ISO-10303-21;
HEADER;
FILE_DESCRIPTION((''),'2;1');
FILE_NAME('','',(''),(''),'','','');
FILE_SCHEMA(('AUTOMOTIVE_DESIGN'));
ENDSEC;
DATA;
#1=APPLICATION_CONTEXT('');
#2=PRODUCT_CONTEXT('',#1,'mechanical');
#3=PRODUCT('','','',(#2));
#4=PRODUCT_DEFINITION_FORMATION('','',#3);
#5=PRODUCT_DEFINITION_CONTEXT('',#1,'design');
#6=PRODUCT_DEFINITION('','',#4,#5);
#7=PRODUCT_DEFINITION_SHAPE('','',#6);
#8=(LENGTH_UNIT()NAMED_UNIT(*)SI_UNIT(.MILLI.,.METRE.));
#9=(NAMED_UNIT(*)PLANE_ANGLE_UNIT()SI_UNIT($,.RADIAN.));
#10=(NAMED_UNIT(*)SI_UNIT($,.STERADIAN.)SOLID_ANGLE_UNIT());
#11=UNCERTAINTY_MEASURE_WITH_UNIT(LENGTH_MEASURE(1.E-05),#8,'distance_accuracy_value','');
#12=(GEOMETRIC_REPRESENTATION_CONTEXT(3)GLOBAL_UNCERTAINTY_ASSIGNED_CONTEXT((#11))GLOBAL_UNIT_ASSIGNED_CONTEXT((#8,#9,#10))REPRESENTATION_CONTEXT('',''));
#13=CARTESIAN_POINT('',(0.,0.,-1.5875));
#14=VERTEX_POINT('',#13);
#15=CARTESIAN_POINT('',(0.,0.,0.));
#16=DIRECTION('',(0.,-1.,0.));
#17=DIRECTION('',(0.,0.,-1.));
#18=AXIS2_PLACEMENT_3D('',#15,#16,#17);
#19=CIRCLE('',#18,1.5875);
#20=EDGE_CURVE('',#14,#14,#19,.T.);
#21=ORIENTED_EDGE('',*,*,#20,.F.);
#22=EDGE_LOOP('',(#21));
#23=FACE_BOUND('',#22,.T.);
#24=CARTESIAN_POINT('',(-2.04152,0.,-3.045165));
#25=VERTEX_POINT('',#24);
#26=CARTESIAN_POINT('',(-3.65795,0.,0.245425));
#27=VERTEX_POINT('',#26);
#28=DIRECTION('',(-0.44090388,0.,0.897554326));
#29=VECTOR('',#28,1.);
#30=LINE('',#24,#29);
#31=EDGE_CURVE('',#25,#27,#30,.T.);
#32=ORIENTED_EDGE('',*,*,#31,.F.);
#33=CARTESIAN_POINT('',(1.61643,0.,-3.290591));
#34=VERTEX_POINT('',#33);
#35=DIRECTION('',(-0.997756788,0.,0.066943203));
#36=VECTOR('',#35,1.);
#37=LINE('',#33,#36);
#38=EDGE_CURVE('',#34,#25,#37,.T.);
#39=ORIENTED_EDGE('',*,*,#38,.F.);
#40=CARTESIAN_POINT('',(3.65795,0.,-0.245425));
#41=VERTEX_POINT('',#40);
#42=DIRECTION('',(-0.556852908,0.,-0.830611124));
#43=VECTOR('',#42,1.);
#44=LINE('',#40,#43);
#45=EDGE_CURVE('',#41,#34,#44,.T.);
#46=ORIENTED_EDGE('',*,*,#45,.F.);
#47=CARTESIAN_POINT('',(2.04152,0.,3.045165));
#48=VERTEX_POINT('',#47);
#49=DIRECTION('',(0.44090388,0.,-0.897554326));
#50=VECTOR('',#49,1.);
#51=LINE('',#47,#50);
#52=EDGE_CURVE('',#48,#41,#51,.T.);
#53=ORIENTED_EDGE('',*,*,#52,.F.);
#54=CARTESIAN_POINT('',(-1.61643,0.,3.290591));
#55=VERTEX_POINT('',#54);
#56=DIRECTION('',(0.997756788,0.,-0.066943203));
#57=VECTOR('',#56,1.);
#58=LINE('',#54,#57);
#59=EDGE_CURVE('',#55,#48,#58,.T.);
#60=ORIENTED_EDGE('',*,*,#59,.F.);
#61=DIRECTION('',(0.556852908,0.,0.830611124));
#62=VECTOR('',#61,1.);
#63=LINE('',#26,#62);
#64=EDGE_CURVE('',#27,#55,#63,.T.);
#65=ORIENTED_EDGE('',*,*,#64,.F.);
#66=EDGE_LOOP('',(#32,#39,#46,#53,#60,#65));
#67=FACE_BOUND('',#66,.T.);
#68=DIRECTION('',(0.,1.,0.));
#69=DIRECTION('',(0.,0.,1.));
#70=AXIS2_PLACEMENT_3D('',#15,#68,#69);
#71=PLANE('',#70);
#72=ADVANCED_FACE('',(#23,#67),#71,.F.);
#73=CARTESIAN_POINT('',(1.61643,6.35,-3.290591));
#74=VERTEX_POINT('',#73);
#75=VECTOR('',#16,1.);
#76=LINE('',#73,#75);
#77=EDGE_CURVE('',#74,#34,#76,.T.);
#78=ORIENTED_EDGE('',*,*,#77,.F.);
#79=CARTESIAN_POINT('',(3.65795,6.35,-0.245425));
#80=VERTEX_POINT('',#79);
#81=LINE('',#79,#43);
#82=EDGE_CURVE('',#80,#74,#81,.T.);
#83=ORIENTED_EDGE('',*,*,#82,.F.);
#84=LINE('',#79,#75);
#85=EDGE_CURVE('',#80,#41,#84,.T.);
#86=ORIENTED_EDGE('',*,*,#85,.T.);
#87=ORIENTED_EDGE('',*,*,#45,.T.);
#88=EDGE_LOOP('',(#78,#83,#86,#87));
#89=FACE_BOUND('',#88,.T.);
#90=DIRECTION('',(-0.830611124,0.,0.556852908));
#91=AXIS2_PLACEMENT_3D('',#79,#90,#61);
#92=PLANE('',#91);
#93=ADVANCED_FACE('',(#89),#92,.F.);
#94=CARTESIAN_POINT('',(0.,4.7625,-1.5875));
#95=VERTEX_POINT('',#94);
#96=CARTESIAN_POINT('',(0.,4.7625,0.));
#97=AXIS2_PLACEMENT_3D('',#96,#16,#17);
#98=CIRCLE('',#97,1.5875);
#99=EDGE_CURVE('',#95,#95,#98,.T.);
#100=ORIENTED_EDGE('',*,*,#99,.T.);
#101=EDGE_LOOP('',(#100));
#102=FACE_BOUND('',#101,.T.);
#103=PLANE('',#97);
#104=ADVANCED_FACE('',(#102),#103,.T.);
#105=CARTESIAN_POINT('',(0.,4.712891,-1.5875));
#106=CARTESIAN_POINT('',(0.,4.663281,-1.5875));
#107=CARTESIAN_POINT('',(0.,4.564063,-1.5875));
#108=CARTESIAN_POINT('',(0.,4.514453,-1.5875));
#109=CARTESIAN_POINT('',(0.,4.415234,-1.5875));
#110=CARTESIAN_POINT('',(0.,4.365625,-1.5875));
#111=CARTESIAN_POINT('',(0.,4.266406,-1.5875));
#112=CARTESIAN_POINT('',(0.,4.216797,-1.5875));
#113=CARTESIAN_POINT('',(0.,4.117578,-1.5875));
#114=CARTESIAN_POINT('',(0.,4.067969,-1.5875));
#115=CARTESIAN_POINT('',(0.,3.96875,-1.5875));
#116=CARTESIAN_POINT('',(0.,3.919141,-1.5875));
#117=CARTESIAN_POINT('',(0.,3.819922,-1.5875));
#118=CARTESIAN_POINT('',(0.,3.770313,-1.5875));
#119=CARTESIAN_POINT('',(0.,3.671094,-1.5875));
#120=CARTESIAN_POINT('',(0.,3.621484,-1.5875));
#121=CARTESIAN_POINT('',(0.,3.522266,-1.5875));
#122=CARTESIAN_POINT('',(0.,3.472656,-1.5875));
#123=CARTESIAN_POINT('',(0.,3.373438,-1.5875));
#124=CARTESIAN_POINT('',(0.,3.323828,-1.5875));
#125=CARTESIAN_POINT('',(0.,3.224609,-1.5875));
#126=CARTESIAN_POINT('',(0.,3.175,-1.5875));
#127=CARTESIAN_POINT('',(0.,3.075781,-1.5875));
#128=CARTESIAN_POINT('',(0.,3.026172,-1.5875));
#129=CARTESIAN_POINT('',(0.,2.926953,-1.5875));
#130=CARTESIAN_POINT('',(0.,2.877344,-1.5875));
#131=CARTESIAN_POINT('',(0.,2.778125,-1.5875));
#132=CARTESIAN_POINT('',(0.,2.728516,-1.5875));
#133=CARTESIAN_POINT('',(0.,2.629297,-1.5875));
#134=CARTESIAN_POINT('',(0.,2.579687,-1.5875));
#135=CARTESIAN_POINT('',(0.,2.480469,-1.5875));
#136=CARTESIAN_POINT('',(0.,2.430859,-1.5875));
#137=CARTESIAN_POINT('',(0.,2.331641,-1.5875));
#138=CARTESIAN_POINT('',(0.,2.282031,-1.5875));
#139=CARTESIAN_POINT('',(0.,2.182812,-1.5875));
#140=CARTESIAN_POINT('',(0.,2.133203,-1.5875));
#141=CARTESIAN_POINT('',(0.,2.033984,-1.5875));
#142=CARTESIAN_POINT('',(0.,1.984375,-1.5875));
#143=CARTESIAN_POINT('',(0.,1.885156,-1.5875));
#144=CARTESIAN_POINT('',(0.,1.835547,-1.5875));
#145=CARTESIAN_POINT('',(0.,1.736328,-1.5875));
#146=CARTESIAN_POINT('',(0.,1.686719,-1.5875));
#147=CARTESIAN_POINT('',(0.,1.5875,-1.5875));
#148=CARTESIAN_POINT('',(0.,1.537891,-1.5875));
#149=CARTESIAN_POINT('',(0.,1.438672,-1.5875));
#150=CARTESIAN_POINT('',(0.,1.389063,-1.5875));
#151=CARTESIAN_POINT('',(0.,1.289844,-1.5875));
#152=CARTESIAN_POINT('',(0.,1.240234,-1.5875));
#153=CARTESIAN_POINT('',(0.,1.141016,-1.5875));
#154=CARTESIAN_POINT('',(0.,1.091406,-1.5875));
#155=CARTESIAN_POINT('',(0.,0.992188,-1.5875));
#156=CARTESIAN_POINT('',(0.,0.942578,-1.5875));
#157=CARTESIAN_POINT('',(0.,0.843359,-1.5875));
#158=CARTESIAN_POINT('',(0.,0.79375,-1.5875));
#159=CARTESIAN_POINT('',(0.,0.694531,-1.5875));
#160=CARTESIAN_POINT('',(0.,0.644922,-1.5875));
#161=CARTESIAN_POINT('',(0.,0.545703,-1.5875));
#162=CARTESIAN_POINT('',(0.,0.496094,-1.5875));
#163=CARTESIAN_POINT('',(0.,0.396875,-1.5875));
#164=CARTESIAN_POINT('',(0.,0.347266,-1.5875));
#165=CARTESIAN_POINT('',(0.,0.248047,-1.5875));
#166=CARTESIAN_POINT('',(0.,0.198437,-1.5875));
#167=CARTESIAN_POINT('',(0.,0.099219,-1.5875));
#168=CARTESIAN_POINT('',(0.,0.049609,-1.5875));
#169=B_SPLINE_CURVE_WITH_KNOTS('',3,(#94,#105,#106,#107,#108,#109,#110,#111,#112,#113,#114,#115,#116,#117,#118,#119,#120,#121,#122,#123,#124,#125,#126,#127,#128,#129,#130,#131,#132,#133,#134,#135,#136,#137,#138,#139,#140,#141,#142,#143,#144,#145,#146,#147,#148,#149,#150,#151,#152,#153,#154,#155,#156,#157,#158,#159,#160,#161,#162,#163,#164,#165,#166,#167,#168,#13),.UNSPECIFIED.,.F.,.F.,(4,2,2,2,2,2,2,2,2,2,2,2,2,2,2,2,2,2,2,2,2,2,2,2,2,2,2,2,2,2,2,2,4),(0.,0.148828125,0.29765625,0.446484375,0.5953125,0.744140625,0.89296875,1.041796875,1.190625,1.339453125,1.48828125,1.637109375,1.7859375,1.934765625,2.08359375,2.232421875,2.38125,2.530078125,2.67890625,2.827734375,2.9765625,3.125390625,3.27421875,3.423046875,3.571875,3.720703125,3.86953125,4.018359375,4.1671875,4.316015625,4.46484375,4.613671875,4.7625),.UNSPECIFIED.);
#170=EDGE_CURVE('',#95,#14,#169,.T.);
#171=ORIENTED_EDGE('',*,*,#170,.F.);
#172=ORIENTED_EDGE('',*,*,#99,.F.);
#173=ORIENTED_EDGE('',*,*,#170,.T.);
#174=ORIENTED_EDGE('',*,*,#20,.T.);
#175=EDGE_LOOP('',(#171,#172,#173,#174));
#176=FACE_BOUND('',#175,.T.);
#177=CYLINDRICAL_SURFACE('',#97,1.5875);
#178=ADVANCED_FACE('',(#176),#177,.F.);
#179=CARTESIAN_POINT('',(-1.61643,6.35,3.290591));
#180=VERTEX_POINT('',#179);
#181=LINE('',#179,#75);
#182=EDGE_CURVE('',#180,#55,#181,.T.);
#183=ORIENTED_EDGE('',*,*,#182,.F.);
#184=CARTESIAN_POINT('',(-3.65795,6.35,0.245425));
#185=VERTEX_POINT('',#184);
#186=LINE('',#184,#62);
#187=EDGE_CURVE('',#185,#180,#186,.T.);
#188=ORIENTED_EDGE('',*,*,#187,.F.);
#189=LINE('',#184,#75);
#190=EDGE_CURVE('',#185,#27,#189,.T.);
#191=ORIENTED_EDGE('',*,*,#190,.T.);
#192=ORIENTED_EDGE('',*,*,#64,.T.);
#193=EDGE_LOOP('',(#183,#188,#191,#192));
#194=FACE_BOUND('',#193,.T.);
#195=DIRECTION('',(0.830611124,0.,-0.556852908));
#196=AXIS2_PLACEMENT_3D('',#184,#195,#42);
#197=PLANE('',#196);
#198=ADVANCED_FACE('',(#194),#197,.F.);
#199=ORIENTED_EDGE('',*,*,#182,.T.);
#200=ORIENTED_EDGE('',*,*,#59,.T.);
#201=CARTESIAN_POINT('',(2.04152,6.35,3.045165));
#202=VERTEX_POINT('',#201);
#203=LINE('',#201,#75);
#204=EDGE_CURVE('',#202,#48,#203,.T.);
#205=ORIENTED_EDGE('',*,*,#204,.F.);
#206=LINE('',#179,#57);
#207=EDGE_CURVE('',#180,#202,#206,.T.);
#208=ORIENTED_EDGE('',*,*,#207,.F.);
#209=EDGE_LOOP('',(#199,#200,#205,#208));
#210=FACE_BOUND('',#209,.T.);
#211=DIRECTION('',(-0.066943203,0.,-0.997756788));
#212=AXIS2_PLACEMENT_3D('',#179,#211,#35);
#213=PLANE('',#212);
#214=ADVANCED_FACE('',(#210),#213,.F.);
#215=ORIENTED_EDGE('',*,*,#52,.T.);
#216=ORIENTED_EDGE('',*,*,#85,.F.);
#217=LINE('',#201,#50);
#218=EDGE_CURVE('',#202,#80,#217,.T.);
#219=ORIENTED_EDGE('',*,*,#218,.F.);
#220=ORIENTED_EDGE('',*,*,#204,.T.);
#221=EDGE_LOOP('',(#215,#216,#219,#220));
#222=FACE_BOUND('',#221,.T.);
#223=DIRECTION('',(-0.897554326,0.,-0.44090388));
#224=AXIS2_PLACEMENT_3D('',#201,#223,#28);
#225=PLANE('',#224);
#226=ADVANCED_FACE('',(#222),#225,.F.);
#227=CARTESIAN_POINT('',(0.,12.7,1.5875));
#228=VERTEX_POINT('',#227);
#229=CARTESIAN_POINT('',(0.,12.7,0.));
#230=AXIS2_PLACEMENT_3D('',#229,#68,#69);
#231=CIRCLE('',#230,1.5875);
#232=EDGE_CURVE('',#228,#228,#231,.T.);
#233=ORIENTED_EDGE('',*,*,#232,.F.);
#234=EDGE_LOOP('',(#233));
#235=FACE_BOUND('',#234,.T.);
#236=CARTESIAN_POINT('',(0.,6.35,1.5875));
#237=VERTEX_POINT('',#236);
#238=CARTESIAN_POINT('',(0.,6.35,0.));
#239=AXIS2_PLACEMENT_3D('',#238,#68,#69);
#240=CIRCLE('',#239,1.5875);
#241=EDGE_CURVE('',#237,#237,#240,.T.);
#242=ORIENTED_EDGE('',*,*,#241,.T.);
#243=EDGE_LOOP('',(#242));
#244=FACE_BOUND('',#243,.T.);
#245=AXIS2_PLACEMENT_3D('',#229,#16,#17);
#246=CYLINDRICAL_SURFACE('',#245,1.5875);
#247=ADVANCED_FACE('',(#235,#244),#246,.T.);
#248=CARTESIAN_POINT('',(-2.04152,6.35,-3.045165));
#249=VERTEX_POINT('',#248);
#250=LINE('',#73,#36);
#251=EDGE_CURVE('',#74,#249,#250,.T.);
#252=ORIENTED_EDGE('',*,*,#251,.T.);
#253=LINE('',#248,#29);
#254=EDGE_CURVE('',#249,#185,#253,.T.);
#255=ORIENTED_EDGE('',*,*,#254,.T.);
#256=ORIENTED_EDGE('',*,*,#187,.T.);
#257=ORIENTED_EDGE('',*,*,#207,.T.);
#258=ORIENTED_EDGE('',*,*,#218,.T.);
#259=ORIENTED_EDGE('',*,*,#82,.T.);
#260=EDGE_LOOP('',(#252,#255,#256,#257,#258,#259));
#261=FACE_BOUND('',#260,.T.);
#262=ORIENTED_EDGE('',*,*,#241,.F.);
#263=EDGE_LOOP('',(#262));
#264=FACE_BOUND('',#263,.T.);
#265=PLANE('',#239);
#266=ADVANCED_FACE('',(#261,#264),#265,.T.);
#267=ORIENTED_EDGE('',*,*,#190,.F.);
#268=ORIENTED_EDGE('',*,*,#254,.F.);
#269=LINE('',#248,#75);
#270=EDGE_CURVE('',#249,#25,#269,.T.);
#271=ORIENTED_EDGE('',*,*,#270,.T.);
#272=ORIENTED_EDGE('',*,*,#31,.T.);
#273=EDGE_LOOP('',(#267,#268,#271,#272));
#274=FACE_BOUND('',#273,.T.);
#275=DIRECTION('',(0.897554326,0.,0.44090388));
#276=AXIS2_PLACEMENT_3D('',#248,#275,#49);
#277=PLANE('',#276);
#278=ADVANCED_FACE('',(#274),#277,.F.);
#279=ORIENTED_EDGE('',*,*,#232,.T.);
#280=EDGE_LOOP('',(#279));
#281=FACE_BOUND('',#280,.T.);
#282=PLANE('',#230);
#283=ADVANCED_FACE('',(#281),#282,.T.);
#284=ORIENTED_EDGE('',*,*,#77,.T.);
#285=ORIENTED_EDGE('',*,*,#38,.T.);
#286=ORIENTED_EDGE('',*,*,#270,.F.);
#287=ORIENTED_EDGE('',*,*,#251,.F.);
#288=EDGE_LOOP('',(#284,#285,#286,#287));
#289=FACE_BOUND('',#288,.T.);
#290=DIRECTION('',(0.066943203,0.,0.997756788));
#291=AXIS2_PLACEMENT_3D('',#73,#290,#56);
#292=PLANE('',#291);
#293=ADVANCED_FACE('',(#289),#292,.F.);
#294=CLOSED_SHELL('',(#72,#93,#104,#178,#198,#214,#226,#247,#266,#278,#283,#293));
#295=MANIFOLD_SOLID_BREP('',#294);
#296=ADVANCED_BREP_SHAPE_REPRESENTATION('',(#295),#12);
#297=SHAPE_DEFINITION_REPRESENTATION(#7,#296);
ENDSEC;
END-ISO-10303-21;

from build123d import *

# Parameters (mm, degrees)
BOSS_EXTRUDE1_DEPTH = 6.35
SKETCH2_R           = 1.5875
BOSS_EXTRUDE2_DEPTH = 6.35
SKETCH3_R           = 1.5875
CUT_EXTRUDE1_DEPTH  = 4.7625


with BuildPart() as part:
    # Sketch1 → Boss-Extrude1 (new body)
    with BuildSketch(Plane(origin=(0, 0, 0), x_dir=(1, 0, 0), z_dir=(0, 1, 0))):
        Polygon((1.616430432, 3.290590523), (-2.04151977, 3.045165079), (-3.657950203, -0.245425444), (-1.616430432, -3.290590523), (2.04151977, -3.045165079), (3.657950203, 0.245425444), align=None)
    extrude(amount=BOSS_EXTRUDE1_DEPTH)

    # Sketch2 → Boss-Extrude2 (add)
    with BuildSketch(Plane(origin=(0, 6.35, 0), x_dir=(1, 0, 0), z_dir=(0, 1, 0))):
        with Locations(Location((0, 0, 0), (0, 0, 270))):
            Circle(SKETCH2_R)
    extrude(amount=BOSS_EXTRUDE2_DEPTH)

    # Sketch3 → Cut-Extrude1 (cut)
    with BuildSketch(Plane(origin=(0, 0, 0), x_dir=(-1, 0, 0), z_dir=(0, -1, 0))):
        with Locations(Location((0, 0, 0), (0, 0, 270))):
            Circle(SKETCH3_R)
    extrude(amount=-CUT_EXTRUDE1_DEPTH, mode=Mode.SUBTRACT)


solid = part.part
